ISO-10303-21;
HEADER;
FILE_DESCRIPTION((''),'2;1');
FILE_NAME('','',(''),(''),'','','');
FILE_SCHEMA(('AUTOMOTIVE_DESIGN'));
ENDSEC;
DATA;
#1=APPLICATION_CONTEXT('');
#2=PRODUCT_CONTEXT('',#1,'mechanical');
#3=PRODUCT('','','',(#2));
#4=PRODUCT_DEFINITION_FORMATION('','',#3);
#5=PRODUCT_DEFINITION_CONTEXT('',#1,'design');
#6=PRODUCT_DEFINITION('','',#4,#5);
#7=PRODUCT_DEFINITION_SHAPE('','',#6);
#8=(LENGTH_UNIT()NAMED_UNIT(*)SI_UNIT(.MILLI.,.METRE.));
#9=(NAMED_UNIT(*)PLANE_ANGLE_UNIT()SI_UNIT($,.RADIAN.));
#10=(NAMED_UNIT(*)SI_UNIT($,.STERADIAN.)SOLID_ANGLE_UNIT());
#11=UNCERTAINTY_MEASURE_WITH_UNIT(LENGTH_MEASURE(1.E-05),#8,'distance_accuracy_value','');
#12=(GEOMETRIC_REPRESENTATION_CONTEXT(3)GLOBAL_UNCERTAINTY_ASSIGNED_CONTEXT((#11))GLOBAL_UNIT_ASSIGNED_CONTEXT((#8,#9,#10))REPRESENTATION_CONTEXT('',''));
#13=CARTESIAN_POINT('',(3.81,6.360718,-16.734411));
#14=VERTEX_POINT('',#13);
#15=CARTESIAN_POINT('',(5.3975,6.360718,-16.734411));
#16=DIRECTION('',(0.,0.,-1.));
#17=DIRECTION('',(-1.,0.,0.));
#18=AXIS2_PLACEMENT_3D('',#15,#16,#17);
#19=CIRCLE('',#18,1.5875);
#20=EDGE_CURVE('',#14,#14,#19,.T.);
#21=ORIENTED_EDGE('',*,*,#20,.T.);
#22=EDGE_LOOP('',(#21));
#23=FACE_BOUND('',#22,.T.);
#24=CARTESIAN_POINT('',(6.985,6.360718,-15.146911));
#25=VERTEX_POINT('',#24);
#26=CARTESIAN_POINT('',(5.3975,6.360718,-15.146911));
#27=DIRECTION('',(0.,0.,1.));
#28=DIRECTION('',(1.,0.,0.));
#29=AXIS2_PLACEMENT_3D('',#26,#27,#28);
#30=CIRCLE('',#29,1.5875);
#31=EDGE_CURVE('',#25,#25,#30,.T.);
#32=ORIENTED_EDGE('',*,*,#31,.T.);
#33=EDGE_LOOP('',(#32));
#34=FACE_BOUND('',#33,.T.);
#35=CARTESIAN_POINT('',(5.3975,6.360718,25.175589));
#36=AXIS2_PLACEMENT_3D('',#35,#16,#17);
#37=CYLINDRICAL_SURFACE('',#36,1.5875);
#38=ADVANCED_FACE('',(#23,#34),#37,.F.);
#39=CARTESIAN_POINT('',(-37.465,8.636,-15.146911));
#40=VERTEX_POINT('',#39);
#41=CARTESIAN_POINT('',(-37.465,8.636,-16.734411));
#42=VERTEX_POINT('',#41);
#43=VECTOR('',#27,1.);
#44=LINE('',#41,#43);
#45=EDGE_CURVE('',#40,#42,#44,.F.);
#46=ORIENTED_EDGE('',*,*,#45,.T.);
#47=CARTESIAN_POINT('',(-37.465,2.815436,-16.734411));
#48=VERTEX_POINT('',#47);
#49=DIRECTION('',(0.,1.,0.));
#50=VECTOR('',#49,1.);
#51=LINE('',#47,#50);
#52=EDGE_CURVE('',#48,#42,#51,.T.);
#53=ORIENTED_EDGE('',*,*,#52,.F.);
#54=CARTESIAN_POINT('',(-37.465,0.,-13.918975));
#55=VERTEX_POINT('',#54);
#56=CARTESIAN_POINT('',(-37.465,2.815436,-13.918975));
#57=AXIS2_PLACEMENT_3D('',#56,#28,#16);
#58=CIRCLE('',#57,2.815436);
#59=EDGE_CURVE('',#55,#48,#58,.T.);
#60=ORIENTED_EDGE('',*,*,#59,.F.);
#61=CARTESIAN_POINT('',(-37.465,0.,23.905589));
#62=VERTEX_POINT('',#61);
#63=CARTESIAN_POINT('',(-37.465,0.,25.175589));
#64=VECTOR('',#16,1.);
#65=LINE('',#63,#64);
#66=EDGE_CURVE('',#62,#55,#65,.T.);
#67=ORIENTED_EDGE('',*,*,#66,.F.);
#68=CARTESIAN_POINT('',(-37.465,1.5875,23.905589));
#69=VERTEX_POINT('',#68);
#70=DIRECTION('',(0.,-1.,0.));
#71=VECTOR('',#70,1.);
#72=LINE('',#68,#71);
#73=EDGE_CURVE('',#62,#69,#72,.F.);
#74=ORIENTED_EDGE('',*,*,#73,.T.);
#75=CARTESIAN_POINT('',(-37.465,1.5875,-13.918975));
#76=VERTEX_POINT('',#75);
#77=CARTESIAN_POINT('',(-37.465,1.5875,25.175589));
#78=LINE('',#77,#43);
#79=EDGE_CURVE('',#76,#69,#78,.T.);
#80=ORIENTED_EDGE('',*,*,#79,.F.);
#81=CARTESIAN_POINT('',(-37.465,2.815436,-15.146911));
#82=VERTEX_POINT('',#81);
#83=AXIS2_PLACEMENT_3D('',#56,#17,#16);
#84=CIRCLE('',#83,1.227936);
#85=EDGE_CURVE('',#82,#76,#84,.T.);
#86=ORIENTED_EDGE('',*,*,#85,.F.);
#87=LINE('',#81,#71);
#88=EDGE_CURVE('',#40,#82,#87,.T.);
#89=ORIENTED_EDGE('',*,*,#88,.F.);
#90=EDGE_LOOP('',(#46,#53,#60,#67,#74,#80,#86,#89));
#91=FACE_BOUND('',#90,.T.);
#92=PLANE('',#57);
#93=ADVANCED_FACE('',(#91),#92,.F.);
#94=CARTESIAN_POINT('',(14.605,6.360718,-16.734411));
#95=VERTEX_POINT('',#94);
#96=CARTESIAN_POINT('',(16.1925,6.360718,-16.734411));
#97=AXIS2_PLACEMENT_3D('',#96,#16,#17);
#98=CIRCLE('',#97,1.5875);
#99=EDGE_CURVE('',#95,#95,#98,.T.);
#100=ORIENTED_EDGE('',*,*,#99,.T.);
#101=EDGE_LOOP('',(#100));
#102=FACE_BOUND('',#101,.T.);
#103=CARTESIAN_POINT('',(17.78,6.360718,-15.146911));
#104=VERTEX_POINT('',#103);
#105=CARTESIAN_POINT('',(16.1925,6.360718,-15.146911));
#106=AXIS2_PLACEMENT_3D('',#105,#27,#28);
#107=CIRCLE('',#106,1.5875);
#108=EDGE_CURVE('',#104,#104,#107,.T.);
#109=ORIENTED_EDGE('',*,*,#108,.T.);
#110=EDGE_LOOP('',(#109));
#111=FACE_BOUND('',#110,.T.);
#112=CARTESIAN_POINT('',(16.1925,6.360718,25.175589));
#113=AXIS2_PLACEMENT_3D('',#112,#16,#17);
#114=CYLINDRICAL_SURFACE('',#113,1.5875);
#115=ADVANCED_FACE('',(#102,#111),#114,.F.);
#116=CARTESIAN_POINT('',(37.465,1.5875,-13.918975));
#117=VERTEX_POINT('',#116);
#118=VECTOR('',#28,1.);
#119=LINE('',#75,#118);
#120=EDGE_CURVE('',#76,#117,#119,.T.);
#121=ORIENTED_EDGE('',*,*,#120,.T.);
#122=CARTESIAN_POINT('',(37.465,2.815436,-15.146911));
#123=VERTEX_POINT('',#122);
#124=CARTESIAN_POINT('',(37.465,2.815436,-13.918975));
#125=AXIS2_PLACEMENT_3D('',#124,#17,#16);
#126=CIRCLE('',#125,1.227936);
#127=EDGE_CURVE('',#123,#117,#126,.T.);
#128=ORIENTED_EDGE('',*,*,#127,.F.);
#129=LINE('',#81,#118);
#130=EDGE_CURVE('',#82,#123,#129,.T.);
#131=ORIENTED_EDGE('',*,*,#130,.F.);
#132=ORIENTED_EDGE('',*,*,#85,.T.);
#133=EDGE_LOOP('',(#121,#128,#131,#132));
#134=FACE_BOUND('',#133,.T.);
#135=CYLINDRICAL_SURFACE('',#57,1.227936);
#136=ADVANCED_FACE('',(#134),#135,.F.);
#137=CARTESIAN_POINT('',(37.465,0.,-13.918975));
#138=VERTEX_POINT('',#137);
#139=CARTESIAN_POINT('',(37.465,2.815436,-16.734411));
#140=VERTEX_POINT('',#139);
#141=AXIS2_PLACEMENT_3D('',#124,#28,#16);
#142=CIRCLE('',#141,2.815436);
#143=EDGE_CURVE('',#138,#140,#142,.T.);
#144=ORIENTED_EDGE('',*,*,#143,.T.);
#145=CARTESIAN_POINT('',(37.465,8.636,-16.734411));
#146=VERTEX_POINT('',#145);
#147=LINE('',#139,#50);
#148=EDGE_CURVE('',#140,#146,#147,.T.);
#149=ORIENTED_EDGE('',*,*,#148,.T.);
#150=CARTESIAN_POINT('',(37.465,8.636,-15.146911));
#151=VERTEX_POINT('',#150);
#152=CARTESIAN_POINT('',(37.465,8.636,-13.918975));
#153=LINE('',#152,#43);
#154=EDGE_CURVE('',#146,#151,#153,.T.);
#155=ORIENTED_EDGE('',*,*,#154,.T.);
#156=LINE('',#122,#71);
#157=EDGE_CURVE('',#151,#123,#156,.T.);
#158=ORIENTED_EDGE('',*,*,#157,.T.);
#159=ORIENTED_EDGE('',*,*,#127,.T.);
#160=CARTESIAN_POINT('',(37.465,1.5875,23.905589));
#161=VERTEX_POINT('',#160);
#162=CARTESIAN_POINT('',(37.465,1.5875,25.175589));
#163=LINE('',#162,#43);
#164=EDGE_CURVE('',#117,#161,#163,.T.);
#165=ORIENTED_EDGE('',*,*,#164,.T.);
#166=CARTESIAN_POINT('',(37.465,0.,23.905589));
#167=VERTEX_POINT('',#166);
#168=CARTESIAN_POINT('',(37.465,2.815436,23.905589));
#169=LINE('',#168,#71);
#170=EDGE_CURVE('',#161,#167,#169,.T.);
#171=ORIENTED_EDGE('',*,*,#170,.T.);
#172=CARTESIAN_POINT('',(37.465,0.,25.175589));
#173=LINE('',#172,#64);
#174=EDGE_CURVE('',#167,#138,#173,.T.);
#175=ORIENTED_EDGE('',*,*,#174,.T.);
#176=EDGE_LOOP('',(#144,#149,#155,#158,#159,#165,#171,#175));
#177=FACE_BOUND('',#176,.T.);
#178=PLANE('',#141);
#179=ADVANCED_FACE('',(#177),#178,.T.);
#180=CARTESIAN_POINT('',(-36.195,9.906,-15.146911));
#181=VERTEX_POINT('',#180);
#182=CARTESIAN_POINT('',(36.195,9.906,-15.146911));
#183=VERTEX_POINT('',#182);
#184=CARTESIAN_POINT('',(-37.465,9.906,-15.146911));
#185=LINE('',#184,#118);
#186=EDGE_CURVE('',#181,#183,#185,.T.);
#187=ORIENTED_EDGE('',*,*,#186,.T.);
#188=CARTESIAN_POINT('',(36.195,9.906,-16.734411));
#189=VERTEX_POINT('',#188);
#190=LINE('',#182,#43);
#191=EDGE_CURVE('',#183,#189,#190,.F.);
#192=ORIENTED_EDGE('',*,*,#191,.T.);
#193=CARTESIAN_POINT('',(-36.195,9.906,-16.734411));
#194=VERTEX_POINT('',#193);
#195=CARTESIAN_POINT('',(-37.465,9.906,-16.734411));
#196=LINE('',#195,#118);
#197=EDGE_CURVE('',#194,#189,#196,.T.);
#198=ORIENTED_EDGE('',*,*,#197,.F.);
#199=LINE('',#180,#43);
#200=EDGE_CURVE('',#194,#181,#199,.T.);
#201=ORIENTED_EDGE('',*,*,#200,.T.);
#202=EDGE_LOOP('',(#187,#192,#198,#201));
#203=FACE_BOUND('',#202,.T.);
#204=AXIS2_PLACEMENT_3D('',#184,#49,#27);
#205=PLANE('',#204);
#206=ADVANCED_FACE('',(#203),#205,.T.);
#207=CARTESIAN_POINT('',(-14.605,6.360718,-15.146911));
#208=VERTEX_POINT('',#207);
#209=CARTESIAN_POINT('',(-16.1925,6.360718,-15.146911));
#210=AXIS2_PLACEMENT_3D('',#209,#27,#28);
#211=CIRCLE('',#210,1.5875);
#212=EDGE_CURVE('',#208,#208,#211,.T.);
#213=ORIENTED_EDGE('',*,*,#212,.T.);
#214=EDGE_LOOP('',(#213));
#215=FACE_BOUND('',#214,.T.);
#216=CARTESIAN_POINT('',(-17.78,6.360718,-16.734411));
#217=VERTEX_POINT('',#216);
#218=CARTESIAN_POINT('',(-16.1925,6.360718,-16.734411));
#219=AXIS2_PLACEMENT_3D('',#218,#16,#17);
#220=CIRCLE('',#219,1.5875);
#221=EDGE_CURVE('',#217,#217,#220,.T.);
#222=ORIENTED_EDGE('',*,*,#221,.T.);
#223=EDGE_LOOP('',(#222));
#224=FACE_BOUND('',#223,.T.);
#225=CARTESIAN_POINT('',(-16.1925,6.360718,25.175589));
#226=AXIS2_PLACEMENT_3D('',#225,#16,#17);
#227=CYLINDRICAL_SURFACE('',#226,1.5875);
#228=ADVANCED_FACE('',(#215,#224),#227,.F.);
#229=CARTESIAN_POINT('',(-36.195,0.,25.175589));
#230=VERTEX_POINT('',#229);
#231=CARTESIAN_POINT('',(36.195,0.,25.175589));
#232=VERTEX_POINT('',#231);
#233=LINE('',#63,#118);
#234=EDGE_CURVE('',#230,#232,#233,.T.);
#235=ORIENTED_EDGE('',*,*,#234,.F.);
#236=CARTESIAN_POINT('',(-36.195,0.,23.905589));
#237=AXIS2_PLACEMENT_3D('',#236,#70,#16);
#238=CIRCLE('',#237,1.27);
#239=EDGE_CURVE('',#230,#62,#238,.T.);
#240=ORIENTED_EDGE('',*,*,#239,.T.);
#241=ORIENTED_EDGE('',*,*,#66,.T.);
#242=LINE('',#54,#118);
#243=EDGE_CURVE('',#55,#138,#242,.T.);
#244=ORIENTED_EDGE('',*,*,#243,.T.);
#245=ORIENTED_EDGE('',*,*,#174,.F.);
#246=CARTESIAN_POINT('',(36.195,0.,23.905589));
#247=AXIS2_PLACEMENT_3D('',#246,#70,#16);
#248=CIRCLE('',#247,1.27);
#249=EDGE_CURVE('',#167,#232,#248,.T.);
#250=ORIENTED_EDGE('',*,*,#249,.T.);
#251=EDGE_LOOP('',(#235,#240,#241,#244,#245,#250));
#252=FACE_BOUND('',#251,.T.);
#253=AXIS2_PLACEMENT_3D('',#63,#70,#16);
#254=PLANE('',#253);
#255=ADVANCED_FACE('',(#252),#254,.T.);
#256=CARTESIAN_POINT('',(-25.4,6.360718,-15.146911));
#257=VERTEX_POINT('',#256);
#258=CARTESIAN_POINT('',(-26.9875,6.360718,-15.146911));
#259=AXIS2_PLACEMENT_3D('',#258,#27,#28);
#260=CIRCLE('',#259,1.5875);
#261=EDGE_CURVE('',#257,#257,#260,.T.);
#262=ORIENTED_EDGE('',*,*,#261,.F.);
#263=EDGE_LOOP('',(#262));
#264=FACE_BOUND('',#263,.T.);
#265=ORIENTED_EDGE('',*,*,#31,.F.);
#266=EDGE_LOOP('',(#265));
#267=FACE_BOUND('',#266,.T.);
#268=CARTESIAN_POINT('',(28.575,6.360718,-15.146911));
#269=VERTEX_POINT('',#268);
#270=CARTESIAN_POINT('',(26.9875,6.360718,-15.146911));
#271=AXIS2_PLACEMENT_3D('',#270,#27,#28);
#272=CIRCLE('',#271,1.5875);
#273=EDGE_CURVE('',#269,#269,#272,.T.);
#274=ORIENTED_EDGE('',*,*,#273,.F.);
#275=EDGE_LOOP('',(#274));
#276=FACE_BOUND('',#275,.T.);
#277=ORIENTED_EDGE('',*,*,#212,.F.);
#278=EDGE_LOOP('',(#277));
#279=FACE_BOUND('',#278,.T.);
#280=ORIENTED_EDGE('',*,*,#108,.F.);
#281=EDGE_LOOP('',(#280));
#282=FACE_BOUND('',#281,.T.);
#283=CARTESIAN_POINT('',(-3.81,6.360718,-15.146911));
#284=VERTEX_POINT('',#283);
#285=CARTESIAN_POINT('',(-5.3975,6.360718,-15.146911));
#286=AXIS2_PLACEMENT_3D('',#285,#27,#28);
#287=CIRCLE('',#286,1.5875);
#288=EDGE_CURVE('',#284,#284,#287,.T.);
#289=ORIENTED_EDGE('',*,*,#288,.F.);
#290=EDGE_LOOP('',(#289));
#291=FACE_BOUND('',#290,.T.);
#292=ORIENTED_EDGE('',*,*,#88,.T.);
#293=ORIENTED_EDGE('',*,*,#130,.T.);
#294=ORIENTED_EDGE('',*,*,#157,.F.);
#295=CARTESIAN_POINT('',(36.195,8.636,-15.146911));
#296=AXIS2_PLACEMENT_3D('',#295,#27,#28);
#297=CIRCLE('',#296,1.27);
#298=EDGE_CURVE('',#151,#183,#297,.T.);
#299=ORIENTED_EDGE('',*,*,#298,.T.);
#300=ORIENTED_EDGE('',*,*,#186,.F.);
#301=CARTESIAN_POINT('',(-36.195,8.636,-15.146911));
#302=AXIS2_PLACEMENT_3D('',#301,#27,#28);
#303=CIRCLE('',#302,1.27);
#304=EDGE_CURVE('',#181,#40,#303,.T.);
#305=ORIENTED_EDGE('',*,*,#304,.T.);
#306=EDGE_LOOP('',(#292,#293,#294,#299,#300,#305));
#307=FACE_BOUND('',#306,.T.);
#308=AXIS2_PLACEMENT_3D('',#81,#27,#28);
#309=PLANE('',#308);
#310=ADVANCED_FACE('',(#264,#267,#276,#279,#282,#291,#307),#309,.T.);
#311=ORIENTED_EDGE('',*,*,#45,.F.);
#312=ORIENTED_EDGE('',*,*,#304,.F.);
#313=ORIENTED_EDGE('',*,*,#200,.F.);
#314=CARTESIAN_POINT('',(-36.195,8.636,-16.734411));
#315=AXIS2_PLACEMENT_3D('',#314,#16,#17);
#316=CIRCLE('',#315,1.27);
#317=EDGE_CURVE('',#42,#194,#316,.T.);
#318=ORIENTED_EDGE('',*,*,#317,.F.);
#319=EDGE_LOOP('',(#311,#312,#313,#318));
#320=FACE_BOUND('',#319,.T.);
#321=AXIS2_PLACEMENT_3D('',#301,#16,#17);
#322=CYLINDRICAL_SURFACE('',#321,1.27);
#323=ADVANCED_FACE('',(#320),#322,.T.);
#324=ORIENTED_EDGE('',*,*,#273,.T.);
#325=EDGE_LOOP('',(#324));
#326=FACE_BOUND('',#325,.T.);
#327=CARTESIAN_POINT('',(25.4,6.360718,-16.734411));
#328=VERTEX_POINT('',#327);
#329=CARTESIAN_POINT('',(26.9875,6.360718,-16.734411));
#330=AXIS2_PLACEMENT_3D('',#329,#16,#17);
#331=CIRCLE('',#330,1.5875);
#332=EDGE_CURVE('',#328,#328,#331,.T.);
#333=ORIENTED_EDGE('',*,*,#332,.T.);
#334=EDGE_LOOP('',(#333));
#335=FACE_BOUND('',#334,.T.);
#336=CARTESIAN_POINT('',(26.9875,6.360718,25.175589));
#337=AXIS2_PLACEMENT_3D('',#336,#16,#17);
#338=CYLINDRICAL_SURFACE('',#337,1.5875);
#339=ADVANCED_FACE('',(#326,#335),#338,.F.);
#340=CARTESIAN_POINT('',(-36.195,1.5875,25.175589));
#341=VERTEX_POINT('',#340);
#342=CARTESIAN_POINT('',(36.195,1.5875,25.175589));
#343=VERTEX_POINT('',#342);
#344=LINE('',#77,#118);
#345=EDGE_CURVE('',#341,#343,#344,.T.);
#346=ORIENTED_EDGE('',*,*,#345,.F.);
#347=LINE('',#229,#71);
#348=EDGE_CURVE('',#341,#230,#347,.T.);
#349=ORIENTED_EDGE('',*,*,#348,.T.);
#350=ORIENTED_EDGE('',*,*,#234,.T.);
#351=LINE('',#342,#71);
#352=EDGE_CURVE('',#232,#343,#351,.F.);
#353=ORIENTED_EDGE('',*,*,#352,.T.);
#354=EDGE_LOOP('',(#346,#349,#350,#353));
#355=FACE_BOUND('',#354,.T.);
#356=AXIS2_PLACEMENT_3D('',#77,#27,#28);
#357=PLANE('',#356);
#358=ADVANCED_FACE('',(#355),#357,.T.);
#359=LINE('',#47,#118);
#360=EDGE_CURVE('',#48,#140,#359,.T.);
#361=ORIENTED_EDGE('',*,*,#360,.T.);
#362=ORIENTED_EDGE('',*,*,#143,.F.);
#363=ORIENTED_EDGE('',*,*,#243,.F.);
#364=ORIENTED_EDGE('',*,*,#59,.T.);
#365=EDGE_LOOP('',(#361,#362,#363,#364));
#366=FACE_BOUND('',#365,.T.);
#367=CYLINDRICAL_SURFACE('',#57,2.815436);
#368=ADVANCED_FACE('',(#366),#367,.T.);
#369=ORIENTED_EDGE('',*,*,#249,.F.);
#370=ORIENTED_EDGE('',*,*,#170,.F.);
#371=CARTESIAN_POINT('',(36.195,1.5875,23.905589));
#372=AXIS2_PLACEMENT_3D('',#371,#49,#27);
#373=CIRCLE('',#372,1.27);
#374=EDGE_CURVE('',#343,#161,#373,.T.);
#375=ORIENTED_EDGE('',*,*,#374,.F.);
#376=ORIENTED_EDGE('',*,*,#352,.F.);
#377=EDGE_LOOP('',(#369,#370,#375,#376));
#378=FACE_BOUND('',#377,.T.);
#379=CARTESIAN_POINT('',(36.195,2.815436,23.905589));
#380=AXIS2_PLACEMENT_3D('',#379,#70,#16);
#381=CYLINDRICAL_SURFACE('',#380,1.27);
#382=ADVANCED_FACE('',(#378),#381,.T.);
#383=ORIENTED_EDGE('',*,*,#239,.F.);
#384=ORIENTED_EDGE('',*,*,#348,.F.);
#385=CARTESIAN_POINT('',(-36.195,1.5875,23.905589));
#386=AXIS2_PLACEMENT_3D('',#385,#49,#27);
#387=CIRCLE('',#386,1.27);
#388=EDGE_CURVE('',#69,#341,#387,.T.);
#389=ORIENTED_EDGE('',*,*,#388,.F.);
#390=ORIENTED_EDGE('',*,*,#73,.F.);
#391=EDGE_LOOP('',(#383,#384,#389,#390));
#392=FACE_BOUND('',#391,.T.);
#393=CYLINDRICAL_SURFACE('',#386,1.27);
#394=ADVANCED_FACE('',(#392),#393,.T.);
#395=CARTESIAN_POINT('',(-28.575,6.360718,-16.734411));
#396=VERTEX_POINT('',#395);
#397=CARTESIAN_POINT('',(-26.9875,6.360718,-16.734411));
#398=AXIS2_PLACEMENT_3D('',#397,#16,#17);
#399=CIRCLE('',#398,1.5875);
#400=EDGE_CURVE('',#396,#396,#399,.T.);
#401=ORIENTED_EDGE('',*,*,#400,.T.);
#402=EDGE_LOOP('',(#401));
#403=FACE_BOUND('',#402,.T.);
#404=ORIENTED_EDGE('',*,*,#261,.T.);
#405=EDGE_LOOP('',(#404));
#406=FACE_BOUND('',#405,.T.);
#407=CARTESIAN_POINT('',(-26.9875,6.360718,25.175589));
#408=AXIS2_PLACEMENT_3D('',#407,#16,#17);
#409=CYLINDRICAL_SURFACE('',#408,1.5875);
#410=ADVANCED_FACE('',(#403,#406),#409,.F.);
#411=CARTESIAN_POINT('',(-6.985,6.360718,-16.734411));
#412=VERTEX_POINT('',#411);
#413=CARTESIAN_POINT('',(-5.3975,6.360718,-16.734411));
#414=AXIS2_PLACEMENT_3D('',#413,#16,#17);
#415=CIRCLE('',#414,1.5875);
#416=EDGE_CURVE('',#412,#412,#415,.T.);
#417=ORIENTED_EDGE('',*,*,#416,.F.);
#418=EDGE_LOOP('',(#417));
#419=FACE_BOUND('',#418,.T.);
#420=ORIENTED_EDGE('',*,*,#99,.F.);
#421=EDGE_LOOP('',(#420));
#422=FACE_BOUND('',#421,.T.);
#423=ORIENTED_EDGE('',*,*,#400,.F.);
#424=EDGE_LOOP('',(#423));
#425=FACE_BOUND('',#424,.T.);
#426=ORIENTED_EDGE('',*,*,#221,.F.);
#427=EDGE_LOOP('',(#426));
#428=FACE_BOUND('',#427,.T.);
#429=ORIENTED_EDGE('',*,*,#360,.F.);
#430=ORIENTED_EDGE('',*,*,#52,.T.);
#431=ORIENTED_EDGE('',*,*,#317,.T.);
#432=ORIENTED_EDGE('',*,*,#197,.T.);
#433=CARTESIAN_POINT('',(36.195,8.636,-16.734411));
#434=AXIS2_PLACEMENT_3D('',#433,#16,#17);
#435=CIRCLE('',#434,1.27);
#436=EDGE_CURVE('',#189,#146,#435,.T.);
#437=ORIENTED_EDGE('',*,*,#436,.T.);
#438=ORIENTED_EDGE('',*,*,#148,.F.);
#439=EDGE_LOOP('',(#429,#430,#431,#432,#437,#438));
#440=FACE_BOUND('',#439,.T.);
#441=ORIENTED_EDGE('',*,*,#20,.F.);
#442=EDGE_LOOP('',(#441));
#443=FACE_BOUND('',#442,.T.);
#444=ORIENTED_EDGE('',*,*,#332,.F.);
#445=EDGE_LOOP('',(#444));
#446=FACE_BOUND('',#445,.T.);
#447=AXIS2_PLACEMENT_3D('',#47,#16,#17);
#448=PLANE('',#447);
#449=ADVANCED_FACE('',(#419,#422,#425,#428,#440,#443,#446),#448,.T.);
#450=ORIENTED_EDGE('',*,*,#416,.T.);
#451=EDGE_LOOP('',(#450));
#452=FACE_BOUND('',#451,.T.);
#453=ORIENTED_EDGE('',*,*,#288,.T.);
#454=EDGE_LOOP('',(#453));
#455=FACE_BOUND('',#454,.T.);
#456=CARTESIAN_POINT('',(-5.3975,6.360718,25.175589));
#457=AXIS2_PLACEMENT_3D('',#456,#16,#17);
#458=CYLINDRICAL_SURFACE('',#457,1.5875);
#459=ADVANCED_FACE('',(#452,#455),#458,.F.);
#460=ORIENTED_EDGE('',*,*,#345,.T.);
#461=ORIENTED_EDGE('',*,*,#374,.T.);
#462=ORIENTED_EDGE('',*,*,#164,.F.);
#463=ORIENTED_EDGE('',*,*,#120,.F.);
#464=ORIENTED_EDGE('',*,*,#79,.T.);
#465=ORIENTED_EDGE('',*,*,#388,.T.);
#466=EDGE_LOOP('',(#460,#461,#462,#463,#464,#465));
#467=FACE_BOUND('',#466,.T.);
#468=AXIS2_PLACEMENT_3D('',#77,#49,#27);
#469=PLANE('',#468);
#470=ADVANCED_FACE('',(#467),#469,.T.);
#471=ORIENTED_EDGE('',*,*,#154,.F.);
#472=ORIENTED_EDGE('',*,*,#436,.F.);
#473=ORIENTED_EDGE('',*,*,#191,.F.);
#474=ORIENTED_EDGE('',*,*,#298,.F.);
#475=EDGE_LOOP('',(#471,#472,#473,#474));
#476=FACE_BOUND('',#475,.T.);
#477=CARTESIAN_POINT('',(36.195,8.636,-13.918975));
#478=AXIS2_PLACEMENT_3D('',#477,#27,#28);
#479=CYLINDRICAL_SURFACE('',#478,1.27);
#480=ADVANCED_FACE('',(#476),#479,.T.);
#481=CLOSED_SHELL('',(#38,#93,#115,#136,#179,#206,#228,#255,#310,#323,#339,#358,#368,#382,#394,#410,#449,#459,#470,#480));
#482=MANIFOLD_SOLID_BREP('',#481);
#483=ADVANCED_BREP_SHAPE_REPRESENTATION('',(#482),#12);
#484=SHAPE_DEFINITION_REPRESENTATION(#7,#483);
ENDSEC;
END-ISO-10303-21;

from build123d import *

# Parameters (mm, degrees)
BOSS_EXTRUDE1_DEPTH      = 37.465
BOSS_EXTRUDE1_DEPTH_BACK = 37.465
FILLET1_R                = 1.27
SKETCH2_R                = 1.5875
CUT_EXTRUDE1_DEPTH       = 58.080672394


with BuildPart() as part:
    # Sketch1 → Boss-Extrude1 (new, two sides: drawn at the far end of the back side and taken through both)
    with BuildSketch(Plane(origin=(0, 0, 0), x_dir=(0, 0, -1), z_dir=(1, 0, 0)).offset(-BOSS_EXTRUDE1_DEPTH_BACK)):
        with BuildLine():
            Line((-25.175589489, 0), (13.918974615, 0))
            ThreePointArc((13.918974615, 0), (15.909788429, 0.824622082), (16.734410511, 2.815435896))
            Line((16.734410511, 2.815435896), (16.734410511, 9.906))
            Line((16.734410511, 9.906), (15.146910511, 9.906))
            Line((15.146910511, 9.906), (15.146910511, 2.815435896))
            ThreePointArc((15.146910511, 2.815435896), (14.787256414, 1.947154097), (13.918974615, 1.5875))
            Line((13.918974615, 1.5875), (-25.175589489, 1.5875))
            Line((-25.175589489, 1.5875), (-25.175589489, 0))
        make_face()
    extrude(amount=BOSS_EXTRUDE1_DEPTH + BOSS_EXTRUDE1_DEPTH_BACK)

    # Fillet1
    fillet1_edges = [part.edges().sort_by_distance(p)[0] for p in [
        (-37.465, 9.906, -15.940660511),
        (37.465, 0.79375, 25.175589489),
        (37.465, 9.906, -15.940660511),
        (-37.465, 0.79375, 25.175589489),
    ]]
    fillet(fillet1_edges, radius=FILLET1_R)

    # Sketch2 → Cut-Extrude1 (cut, through all)
    with BuildSketch(Plane(origin=(0, 0, -16.734410511), x_dir=(-1, 0, 0), z_dir=(0, 0, -1))):
        with Locations((-26.9875, 6.360717948)):
            Circle(SKETCH2_R)
        with Locations((-16.1925, 6.360717948)):
            Circle(SKETCH2_R)
        with Locations((-5.3975, 6.360717948)):
            Circle(SKETCH2_R)
        with Locations((5.3975, 6.360717948)):
            Circle(SKETCH2_R)
        with Locations((16.1925, 6.360717948)):
            Circle(SKETCH2_R)
        with Locations((26.9875, 6.360717948)):
            Circle(SKETCH2_R)
    extrude(amount=-CUT_EXTRUDE1_DEPTH, mode=Mode.SUBTRACT)


solid = part.part
